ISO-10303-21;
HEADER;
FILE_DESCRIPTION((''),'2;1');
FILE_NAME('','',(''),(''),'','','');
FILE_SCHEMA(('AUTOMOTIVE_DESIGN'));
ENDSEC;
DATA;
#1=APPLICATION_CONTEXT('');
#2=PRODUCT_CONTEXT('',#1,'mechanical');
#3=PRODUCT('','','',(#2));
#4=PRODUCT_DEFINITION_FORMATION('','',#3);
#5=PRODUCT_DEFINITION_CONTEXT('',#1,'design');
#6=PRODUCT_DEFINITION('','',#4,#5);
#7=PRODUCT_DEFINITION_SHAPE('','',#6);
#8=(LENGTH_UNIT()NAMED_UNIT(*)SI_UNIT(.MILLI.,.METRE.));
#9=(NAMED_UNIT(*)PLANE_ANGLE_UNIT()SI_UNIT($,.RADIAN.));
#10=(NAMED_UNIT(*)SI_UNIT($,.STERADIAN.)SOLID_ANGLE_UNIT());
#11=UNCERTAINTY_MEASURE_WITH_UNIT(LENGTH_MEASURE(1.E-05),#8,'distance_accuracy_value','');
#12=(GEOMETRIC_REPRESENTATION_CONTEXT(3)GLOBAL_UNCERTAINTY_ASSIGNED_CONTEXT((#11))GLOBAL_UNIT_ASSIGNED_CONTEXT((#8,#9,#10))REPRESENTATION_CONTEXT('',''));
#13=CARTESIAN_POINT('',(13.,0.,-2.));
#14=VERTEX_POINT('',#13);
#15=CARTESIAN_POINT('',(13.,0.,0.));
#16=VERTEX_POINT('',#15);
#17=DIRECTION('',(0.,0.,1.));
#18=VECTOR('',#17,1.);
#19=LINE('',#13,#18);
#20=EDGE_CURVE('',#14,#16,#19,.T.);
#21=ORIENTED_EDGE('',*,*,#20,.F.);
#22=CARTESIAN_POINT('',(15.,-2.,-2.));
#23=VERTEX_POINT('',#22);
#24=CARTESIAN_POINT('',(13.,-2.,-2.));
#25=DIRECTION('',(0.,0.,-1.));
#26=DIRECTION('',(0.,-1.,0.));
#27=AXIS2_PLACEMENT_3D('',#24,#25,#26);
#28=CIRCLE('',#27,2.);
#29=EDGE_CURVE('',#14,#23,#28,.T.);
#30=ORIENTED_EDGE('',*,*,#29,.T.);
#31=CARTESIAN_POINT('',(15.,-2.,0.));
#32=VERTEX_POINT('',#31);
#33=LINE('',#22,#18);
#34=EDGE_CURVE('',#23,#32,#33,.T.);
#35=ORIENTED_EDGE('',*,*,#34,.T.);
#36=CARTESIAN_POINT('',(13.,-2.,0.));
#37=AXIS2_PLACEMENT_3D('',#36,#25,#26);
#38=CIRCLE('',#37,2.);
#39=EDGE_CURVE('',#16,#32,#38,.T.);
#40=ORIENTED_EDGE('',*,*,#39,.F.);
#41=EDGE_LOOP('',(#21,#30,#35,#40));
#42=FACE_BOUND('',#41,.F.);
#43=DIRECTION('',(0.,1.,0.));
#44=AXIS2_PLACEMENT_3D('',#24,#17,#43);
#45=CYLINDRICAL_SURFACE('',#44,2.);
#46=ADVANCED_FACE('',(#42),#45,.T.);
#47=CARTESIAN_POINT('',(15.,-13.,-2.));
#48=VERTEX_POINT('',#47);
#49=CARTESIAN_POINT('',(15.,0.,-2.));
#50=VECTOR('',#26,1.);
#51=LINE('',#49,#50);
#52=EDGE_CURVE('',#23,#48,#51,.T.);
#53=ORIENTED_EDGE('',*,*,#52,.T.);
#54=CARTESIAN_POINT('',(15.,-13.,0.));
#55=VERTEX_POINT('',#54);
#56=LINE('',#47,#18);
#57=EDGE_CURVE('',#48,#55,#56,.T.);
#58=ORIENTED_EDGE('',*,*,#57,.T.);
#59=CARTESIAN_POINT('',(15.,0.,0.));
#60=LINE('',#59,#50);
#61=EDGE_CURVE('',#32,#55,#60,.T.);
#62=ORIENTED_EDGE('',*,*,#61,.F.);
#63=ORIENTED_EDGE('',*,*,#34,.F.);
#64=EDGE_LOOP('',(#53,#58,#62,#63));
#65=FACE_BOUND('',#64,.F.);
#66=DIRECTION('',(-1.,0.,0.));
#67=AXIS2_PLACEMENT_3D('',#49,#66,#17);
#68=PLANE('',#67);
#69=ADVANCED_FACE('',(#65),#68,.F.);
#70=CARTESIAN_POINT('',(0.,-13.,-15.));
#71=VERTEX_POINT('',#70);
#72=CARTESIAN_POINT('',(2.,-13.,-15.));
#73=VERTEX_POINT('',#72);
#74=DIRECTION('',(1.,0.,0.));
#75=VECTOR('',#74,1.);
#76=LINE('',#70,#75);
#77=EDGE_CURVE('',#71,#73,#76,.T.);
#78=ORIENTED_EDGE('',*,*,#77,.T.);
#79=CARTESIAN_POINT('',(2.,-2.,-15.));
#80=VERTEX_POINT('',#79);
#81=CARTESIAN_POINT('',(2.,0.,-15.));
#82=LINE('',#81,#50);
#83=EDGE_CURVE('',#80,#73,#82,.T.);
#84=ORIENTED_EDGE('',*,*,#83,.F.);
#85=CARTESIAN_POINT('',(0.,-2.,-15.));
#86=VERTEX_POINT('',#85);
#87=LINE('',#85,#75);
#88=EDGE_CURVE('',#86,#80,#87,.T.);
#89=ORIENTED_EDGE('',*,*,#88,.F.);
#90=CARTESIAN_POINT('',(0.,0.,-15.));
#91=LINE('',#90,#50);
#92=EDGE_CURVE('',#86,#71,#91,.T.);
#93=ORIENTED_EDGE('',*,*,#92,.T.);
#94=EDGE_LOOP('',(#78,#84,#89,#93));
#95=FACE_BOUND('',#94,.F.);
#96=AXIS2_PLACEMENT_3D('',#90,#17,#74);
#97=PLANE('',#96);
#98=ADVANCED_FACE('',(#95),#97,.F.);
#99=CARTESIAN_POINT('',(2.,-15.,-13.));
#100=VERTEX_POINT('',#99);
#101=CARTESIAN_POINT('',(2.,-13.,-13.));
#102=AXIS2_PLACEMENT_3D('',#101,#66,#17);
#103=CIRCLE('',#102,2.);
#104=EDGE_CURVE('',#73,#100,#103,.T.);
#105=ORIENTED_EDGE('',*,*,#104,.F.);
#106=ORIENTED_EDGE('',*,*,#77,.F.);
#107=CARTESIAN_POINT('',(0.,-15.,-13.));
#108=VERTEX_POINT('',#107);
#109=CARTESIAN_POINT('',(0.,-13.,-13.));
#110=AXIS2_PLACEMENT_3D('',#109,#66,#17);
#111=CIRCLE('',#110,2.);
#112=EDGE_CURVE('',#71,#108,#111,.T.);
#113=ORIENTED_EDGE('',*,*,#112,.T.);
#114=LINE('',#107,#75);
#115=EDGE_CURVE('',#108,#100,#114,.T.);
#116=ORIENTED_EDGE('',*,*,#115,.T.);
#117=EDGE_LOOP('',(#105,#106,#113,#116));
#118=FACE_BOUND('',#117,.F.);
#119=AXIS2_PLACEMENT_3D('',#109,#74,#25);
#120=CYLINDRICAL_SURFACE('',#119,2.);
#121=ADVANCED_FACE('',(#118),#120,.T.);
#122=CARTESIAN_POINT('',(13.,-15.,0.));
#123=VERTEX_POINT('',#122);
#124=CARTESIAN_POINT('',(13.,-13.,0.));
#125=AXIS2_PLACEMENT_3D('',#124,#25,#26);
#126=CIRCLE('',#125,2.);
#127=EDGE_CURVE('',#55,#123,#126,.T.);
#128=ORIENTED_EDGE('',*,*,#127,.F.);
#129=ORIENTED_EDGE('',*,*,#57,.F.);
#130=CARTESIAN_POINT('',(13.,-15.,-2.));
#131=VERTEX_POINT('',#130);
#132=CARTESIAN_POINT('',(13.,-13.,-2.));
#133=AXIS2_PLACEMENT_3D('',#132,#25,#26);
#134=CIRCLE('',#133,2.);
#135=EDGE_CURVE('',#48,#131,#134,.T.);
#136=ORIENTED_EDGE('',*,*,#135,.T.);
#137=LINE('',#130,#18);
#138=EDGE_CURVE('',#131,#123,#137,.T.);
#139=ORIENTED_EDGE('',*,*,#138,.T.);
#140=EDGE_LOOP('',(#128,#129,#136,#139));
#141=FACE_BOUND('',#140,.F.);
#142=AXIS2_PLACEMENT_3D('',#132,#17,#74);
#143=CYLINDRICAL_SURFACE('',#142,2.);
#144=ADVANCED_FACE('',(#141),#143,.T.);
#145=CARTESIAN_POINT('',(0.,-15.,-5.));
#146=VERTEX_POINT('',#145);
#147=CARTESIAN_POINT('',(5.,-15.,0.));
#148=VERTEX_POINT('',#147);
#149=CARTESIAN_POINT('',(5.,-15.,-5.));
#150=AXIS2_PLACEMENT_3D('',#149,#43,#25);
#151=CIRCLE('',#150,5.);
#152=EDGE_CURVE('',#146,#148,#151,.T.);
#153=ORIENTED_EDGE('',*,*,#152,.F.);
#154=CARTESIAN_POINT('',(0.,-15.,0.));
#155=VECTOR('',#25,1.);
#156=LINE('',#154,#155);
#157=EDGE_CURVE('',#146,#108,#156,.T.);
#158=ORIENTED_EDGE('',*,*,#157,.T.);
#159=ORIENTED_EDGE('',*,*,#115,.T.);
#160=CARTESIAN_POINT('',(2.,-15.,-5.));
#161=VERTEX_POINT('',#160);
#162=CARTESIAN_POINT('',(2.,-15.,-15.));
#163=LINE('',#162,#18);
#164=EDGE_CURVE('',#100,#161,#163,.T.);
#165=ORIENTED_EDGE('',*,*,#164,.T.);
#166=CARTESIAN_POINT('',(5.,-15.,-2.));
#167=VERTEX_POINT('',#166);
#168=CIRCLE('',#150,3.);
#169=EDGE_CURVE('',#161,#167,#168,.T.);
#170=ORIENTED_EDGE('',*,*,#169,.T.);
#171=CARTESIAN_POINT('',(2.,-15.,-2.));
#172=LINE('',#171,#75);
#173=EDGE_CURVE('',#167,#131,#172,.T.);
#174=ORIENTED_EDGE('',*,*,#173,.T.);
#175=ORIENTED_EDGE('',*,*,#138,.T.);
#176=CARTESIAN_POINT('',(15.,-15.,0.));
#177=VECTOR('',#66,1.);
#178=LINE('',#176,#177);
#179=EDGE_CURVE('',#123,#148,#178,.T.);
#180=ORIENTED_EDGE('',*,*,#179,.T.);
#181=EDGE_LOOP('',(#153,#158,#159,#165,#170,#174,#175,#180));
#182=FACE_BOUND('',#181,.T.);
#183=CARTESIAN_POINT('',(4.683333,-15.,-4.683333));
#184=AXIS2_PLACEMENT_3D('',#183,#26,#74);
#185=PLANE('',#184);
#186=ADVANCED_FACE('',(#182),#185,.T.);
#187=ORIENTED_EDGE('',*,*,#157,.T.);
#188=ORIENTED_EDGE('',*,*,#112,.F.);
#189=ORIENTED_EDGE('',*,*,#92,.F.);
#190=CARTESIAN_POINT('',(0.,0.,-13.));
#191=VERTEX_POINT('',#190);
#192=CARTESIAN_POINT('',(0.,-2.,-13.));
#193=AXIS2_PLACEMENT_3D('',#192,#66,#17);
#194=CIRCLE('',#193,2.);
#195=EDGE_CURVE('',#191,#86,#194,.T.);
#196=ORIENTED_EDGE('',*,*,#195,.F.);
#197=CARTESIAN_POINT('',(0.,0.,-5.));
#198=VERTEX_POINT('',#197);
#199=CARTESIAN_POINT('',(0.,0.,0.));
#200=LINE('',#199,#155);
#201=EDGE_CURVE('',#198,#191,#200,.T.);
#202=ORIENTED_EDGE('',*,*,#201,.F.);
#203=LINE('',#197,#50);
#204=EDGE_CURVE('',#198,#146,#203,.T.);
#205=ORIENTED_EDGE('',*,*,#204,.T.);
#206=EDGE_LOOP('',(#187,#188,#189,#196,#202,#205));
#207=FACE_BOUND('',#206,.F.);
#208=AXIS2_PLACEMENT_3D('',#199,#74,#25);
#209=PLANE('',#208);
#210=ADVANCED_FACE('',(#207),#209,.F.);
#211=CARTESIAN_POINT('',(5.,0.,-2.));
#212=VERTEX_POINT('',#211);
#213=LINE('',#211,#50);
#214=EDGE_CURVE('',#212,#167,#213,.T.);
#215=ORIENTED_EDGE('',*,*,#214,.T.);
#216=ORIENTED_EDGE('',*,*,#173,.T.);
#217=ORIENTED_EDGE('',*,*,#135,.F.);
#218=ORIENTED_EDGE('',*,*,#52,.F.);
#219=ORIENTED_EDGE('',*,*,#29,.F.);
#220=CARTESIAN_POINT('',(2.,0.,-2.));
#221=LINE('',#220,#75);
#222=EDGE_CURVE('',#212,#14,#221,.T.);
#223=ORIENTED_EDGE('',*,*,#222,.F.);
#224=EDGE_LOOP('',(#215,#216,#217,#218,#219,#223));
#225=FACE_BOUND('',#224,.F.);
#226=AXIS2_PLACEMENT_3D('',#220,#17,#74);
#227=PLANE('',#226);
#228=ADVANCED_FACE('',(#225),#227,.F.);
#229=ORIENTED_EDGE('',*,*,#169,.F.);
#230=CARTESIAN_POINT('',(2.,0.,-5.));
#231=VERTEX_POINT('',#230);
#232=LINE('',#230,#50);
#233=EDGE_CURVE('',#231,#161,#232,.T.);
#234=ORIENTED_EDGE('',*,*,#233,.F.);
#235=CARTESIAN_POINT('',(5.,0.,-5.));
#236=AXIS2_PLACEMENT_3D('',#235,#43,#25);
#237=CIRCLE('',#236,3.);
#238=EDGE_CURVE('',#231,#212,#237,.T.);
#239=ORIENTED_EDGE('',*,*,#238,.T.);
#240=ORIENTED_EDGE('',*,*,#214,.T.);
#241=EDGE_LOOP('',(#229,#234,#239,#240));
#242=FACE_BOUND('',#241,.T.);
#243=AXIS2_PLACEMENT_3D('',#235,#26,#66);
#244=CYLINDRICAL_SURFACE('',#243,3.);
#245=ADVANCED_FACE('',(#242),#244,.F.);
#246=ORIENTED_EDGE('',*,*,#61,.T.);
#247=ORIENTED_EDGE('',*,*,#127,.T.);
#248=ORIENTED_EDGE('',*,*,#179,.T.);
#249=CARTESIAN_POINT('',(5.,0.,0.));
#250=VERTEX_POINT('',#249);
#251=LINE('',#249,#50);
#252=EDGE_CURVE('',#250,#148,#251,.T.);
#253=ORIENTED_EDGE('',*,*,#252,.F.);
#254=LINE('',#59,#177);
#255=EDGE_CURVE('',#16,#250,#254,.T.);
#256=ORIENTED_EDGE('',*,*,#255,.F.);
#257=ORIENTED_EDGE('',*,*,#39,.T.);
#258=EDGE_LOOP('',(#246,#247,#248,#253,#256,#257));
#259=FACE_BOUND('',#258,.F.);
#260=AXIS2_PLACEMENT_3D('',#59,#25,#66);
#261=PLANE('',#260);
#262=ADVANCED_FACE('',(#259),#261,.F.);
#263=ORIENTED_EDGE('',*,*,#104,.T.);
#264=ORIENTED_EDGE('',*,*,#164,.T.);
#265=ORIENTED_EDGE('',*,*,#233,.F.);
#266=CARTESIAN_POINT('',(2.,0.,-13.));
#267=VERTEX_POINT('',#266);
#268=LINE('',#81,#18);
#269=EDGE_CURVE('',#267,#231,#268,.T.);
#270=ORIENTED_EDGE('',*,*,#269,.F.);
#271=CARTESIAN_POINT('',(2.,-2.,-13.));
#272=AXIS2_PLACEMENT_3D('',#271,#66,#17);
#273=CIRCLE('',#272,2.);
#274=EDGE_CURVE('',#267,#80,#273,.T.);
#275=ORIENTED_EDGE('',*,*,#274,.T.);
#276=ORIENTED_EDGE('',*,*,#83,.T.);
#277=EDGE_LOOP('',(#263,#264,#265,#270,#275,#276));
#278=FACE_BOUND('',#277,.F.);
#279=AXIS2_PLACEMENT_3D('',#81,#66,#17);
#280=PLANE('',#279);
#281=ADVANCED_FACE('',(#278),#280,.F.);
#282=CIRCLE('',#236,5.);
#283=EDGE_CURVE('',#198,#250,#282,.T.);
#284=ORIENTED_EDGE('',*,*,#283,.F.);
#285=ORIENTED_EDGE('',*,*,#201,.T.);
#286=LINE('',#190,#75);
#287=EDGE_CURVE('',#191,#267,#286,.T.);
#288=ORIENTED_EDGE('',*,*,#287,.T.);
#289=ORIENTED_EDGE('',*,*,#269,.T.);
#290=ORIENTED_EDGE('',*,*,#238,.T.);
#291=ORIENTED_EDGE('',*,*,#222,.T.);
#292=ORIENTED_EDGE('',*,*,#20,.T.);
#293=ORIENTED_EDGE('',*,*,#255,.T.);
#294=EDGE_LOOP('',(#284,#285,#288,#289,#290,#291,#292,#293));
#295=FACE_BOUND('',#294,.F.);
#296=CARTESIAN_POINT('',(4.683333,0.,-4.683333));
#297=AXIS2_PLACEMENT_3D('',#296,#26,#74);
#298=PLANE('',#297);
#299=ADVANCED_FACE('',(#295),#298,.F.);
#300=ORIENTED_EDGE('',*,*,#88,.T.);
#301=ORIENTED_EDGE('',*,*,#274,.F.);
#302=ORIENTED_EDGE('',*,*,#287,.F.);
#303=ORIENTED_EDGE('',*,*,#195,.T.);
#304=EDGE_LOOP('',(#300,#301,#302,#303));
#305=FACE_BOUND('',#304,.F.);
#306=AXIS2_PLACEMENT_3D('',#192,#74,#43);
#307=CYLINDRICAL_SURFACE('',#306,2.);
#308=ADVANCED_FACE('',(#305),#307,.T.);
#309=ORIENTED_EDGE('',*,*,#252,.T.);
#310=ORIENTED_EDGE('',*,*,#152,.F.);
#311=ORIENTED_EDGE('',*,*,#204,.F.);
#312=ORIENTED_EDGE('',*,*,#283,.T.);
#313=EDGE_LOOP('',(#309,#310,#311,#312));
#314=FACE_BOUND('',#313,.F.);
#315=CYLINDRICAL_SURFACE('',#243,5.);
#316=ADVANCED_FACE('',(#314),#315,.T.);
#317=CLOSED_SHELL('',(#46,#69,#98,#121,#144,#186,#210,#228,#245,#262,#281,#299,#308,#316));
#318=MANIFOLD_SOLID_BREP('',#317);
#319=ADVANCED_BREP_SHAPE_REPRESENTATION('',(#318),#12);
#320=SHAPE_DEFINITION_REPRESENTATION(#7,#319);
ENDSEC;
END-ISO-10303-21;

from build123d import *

# Parameters (mm, degrees)
F1_DEPTH = 15
F2_R     = 3
F3_R     = 5
F4_R     = 2


with BuildPart() as f1:
    # F0 (on Front) → F1 (new body)
    with BuildSketch(Plane.XZ):
        Polygon((15, 0), (0, 0), (0, -15), (2, -15), (2, -2), (15, -2), align=None)
    extrude(amount=F1_DEPTH)

    # F2
    f2_edges = [f1.edges().sort_by_distance(p)[0] for p in [
        (2, -7.5, -2),
    ]]
    fillet(f2_edges, radius=F2_R)

    # F3
    f3_edges = [f1.edges().sort_by_distance(p)[0] for p in [
        (0, -7.5, 0),
    ]]
    fillet(f3_edges, radius=F3_R)

    # F4
    f4_edges = [f1.edges().sort_by_distance(p)[0] for p in [
        (15, -15, -1),
        (15, 0, -1),
        (1, -15, -15),
        (1, 0, -15),
    ]]
    fillet(f4_edges, radius=F4_R)


solid = f1.part
